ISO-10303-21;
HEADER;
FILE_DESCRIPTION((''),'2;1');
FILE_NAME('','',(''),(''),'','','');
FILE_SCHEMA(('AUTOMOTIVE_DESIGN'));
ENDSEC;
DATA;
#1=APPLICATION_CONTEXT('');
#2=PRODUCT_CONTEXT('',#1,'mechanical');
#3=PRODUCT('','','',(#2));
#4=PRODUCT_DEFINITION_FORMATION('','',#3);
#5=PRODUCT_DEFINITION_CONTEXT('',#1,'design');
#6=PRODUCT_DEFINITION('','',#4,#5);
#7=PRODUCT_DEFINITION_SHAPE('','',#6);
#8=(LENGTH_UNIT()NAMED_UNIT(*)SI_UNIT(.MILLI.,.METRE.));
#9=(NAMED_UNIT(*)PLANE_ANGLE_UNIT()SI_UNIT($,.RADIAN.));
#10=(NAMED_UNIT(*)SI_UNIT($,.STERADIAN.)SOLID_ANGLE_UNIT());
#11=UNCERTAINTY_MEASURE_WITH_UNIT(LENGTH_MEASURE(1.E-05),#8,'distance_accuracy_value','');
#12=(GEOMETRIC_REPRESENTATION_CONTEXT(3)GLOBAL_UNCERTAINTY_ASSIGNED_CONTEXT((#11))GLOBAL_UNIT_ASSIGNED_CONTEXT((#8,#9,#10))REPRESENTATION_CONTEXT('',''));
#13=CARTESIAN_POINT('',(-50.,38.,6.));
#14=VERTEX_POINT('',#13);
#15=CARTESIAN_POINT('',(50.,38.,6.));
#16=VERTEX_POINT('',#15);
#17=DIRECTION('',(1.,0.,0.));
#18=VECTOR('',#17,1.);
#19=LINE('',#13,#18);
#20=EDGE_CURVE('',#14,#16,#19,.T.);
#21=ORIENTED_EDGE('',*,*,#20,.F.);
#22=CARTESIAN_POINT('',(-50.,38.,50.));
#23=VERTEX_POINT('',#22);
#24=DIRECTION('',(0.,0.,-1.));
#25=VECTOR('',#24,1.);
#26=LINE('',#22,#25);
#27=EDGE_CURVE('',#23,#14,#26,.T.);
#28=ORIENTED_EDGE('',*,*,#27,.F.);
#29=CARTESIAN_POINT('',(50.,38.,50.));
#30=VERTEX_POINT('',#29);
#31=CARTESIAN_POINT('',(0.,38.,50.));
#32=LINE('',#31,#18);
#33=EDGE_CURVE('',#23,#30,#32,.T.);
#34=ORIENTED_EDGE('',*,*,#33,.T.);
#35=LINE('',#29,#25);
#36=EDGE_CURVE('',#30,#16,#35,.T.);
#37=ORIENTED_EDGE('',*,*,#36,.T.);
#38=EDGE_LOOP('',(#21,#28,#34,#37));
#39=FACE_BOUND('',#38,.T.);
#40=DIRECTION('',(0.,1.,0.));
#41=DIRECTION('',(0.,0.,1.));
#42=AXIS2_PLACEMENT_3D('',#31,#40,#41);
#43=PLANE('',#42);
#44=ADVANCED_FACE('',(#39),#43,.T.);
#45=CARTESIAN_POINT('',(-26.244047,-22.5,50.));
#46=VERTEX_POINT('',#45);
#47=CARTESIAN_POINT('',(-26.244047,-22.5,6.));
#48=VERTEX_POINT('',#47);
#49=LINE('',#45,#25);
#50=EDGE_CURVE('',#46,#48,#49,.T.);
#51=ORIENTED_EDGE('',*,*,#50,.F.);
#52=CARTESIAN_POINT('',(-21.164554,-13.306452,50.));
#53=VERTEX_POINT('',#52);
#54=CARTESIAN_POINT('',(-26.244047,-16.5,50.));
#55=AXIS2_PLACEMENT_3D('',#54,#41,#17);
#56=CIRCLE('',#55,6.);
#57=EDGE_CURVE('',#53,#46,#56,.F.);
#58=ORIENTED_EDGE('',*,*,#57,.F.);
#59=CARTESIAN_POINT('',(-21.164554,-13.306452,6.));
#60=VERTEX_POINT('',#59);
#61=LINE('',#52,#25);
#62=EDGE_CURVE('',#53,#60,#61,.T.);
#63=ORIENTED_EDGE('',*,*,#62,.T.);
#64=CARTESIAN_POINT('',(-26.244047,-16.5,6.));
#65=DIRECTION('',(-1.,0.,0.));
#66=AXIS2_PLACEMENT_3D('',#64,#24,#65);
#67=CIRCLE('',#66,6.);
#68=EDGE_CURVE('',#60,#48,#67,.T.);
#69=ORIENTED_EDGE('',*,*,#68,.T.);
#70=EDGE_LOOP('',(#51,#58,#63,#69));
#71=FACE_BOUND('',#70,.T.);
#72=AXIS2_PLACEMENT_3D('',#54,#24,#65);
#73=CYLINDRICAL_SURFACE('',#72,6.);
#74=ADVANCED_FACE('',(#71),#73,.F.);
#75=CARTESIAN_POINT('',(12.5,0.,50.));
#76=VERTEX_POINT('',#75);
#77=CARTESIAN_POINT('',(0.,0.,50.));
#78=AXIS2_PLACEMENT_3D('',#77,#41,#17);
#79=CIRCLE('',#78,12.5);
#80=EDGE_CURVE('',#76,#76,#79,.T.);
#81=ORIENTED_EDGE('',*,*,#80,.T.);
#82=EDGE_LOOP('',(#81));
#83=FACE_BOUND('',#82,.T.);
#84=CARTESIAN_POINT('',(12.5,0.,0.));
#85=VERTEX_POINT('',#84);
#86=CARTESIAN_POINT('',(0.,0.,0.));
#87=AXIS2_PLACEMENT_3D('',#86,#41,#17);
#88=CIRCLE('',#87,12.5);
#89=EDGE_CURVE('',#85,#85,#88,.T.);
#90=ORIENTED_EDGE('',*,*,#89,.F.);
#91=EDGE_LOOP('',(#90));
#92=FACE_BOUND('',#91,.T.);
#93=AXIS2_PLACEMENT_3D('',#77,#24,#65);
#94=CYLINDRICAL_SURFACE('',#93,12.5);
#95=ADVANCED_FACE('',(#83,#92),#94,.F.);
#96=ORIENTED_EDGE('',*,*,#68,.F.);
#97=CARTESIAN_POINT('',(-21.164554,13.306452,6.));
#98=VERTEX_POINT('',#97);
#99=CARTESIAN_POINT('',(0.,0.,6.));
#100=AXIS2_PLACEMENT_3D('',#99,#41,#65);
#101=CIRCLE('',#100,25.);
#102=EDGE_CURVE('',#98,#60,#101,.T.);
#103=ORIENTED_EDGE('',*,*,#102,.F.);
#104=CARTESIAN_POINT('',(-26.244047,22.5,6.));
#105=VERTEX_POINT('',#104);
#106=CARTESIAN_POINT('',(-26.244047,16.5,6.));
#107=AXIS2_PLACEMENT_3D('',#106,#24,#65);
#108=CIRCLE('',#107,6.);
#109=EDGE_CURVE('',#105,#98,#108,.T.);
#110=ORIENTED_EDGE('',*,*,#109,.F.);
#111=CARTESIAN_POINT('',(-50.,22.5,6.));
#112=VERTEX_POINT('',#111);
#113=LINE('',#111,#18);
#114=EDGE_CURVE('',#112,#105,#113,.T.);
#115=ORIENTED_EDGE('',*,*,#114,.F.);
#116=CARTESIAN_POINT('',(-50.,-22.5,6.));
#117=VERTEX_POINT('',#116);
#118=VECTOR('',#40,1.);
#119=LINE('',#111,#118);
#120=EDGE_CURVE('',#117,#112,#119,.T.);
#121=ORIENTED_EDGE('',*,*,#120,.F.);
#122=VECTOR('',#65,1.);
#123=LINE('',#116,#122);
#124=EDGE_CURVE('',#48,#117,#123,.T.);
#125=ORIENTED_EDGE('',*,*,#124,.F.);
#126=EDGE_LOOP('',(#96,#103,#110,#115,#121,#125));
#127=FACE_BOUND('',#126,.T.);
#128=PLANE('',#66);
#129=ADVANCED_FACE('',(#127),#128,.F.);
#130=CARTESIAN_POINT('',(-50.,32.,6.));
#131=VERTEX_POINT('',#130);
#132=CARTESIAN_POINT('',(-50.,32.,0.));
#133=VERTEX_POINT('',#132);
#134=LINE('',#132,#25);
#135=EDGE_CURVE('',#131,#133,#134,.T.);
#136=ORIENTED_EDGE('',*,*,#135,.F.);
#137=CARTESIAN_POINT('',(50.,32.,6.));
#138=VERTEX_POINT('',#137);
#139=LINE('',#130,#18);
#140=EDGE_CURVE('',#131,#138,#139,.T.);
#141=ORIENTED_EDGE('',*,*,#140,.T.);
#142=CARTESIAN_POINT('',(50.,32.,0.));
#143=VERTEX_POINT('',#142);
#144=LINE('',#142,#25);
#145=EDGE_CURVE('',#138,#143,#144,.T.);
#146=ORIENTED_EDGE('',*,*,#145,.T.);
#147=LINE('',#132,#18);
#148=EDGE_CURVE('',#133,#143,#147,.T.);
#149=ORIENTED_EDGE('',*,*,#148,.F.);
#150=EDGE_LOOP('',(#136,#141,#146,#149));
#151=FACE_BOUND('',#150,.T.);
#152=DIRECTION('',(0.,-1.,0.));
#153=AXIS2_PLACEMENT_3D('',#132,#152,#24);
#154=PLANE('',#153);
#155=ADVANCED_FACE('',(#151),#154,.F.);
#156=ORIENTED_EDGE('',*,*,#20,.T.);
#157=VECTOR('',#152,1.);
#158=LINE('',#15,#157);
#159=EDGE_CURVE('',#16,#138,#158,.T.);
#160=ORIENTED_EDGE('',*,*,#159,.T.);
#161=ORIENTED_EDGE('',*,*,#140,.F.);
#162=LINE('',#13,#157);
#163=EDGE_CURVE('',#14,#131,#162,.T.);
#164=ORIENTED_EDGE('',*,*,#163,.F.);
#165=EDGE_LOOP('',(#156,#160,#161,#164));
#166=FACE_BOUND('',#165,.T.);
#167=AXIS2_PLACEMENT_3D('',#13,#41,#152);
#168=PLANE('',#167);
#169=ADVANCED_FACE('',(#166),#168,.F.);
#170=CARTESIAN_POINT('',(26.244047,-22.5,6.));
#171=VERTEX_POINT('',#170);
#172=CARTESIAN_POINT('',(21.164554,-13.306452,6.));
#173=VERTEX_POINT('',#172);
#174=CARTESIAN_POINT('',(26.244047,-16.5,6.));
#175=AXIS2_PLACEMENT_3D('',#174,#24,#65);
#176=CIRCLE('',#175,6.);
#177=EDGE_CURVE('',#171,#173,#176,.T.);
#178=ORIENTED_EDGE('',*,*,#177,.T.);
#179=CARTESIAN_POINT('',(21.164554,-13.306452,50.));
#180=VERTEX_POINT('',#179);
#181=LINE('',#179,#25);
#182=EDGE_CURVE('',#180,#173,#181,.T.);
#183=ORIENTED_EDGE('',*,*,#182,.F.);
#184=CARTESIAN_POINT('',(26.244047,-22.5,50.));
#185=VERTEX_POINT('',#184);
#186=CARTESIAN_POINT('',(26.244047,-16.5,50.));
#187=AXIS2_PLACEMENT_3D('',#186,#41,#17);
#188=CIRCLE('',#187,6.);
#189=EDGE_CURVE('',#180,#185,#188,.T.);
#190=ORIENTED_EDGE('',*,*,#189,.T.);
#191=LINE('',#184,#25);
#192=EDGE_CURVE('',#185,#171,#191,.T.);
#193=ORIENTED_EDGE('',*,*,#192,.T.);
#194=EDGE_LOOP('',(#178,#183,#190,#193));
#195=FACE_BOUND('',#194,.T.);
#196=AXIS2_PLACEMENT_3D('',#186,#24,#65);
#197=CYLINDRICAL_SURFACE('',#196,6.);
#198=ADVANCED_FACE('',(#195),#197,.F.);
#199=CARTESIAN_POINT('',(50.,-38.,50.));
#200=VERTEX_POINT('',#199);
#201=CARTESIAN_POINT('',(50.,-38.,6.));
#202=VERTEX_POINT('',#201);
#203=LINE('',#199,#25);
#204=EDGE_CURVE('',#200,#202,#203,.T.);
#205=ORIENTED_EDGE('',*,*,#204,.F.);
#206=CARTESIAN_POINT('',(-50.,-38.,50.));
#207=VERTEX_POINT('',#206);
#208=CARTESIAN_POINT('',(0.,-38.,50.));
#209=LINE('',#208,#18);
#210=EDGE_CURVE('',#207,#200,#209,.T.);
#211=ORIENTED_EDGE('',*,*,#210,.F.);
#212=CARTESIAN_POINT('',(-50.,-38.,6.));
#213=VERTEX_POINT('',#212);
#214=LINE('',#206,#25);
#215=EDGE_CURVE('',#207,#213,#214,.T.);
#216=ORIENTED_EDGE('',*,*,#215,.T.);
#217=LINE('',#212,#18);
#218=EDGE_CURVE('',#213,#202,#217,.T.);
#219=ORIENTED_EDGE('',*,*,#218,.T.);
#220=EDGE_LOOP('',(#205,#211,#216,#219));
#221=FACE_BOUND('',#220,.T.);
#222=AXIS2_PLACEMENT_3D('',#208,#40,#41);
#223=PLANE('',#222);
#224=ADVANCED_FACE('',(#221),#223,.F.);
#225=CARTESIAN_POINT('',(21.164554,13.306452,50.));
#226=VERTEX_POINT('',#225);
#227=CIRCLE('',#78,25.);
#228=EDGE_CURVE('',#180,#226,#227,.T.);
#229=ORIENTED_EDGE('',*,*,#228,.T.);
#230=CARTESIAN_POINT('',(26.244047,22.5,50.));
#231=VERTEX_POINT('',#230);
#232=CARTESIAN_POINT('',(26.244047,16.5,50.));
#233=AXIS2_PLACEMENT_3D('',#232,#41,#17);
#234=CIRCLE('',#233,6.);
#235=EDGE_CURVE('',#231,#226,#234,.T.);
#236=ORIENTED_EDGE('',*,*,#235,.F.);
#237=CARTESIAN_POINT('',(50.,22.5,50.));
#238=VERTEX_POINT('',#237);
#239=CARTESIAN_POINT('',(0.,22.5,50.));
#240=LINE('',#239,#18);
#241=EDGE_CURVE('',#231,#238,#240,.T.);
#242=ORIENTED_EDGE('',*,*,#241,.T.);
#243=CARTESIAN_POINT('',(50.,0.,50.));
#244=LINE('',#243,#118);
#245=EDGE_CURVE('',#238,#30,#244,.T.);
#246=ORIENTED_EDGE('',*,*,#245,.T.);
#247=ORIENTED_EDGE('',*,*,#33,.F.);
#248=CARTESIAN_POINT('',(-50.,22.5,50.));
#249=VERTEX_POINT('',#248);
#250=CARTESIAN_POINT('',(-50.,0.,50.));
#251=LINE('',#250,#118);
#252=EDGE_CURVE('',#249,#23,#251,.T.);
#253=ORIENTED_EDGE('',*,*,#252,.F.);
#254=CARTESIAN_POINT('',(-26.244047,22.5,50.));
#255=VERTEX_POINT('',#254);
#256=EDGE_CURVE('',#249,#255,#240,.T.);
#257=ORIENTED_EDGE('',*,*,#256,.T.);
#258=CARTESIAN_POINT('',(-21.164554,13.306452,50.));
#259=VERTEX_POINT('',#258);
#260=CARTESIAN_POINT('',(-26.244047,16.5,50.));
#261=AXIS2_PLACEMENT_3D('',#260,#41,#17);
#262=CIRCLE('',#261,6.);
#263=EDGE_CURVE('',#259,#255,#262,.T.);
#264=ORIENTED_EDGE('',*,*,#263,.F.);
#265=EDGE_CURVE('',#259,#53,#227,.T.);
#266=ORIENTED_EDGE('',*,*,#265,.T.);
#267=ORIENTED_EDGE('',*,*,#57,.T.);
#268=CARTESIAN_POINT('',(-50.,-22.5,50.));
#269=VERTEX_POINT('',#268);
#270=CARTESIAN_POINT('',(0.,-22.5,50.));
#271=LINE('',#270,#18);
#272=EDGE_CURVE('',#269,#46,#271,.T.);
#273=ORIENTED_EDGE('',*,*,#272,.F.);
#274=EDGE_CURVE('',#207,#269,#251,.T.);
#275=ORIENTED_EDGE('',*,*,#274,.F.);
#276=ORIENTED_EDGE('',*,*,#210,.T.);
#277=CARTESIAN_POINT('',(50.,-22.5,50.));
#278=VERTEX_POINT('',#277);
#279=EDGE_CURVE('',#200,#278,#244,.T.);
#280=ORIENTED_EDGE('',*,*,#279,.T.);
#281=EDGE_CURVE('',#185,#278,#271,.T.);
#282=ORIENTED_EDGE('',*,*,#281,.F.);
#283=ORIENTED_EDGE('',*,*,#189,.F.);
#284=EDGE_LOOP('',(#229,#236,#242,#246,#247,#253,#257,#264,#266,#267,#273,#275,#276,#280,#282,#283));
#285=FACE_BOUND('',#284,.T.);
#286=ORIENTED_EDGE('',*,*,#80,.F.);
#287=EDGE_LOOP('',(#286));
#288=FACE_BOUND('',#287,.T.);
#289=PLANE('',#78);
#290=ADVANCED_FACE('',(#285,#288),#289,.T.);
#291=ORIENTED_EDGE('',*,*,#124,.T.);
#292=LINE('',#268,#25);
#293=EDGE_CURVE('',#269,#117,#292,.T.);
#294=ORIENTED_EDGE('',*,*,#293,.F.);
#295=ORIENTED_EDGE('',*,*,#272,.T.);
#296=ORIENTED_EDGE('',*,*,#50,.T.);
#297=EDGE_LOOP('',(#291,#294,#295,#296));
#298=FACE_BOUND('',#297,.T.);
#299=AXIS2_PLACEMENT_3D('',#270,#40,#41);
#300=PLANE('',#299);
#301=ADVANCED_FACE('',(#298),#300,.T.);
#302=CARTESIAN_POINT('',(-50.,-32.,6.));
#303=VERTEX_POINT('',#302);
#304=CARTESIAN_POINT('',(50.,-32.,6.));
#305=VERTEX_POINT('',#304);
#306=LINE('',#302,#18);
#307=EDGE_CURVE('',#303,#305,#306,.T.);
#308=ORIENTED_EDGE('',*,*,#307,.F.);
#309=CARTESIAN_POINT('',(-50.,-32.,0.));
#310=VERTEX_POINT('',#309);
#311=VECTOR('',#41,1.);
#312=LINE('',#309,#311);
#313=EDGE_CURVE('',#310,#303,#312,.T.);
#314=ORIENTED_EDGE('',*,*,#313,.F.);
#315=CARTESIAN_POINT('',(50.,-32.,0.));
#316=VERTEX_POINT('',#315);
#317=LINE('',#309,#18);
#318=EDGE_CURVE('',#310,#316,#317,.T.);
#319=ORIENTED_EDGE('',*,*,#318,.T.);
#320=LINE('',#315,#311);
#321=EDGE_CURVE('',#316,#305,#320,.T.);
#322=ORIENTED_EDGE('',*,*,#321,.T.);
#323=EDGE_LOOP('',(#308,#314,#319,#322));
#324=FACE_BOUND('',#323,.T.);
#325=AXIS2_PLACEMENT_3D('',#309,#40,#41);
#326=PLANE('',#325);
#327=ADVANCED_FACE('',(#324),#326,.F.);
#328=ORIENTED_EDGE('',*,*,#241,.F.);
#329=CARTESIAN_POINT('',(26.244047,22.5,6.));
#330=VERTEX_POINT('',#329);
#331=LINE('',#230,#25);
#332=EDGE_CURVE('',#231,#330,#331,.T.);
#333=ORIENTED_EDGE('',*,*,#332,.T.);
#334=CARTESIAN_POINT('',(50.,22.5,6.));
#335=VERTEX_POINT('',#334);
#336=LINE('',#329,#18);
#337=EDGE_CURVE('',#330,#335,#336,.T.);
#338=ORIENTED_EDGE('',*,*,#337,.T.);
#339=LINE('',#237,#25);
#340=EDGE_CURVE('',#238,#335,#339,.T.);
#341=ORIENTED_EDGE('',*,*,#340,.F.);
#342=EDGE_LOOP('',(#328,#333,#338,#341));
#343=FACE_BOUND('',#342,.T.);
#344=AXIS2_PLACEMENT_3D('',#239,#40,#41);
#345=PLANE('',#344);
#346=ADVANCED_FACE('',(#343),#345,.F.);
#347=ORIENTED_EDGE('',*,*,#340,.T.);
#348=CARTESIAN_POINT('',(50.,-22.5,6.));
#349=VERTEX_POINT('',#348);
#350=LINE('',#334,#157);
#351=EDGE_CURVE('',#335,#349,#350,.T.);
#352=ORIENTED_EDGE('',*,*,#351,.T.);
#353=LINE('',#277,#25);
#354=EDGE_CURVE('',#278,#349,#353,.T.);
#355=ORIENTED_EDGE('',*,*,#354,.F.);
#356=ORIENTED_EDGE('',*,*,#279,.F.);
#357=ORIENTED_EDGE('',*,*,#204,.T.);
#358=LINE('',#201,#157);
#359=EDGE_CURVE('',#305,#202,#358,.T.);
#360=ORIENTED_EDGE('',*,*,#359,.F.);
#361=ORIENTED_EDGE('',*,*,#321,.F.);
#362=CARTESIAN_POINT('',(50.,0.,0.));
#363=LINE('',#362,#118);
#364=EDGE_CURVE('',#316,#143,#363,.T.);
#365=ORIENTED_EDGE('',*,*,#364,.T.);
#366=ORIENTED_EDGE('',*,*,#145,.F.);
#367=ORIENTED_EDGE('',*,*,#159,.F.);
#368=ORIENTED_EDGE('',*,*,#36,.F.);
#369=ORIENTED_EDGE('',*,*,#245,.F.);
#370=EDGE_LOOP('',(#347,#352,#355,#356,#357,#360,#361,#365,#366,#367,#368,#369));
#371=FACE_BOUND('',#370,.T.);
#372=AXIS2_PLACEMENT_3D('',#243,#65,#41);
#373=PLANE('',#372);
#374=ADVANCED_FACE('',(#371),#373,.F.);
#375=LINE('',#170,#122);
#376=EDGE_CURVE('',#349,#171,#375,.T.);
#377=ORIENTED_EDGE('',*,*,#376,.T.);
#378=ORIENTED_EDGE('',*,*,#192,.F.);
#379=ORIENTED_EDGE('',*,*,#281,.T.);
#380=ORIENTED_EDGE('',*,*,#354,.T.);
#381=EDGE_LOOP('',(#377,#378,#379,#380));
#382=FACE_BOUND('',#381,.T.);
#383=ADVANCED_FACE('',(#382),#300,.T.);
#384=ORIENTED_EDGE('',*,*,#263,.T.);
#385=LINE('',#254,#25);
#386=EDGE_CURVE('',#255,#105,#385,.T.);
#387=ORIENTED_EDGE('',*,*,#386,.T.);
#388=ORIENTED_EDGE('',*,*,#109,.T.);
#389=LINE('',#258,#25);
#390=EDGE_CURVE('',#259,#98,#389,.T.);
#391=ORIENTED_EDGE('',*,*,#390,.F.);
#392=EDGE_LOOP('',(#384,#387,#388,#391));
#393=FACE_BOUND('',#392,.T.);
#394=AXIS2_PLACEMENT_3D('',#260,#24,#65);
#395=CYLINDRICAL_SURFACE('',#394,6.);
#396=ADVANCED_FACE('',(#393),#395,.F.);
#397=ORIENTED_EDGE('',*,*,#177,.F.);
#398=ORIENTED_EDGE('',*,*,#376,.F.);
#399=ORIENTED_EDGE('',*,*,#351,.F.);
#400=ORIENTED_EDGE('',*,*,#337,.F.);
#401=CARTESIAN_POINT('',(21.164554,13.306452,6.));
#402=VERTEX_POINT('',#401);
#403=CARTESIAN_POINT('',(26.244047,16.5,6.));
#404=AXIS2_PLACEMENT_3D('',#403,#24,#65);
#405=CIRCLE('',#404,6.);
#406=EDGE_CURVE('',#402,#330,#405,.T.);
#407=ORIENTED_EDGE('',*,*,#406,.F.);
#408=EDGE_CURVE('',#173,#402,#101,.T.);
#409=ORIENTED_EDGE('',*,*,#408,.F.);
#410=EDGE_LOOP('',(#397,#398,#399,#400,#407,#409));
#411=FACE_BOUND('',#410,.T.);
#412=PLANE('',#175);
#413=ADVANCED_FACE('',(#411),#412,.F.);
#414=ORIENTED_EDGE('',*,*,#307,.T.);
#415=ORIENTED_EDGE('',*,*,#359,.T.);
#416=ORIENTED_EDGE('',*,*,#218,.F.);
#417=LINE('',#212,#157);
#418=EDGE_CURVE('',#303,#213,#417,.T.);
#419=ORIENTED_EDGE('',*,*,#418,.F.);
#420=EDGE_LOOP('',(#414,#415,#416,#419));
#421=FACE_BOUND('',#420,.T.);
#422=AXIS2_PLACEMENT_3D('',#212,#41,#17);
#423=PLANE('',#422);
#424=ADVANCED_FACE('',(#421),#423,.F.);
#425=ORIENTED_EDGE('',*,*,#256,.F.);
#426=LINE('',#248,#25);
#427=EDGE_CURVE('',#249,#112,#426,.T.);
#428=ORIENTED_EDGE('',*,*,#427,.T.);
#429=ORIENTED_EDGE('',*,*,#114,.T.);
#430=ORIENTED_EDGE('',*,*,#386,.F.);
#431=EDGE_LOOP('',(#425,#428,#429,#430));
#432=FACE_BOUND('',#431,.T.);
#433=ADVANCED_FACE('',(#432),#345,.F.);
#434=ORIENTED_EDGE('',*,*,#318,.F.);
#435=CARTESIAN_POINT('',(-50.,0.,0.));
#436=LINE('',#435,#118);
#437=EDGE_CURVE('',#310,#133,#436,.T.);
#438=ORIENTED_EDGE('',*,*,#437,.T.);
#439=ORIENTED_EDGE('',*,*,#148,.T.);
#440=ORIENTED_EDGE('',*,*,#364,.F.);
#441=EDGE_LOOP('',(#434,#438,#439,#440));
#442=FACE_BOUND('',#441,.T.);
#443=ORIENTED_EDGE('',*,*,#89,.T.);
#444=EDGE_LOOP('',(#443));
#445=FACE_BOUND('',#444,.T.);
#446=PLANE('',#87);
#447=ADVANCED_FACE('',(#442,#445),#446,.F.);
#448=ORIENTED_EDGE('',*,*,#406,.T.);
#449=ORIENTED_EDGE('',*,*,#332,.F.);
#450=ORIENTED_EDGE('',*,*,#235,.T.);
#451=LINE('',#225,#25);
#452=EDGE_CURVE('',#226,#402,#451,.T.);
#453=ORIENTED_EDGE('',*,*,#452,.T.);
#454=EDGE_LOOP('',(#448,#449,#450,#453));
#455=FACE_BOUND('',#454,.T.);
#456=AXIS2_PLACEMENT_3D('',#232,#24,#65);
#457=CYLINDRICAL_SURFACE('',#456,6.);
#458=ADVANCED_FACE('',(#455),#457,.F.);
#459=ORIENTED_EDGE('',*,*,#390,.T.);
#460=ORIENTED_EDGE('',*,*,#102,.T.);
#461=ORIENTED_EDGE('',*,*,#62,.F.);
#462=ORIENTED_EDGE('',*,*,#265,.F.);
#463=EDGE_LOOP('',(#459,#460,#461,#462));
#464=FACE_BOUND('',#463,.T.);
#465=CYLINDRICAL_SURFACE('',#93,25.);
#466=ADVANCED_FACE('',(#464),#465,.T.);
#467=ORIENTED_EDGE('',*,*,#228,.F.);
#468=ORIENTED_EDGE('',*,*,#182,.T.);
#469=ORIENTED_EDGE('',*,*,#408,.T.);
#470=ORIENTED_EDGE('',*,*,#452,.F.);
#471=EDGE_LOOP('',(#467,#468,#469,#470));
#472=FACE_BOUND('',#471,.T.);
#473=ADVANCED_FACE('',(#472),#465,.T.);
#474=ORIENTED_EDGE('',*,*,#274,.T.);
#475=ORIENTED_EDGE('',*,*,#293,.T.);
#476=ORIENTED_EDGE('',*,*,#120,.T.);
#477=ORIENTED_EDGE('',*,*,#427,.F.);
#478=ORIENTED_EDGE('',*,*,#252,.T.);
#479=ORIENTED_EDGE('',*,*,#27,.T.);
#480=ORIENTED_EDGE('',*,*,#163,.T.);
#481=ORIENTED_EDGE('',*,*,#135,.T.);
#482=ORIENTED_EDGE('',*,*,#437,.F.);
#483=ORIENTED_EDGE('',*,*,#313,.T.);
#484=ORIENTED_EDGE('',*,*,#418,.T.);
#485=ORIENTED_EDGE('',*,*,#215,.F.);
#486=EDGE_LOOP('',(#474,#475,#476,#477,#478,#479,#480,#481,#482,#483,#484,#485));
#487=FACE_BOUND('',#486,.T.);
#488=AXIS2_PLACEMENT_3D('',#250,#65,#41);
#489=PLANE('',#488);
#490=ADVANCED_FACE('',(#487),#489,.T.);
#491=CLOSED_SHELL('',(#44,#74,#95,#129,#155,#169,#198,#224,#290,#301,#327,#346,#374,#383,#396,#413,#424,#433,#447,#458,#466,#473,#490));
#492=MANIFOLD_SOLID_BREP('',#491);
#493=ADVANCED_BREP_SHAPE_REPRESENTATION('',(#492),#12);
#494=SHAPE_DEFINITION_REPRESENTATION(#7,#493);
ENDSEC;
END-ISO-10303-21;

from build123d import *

# Parameters (mm, degrees)
SKETCH1_R           = 12.5
BOSS_EXTRUDE1_DEPTH = 50
BOSS_EXTRUDE2_DEPTH = 6
SKETCH3_W           = 6
SKETCH3_H           = 6
CUT_EXTRUDE1_DEPTH  = 119.084715353


with BuildPart() as part:
    # Sketch1 → Boss-Extrude1 (new body)
    with BuildSketch(Plane.XY):
        with BuildLine():
            ThreePointArc((21.164553987, 13.306451613), (20.992319118, 19.401612455), (26.244046944, 22.5))
            Line((26.244046944, 22.5), (50, 22.5))
            Line((50, 22.5), (50, 38))
            Line((50, 38), (-50, 38))
            Line((-50, 38), (-50, 22.5))
            Line((-50, 22.5), (-26.244046944, 22.5))
            ThreePointArc((-26.244046944, 22.5), (-20.992319118, 19.401612455), (-21.164553987, 13.306451613))
            ThreePointArc((-21.164553987, 13.306451613), (-25, 0), (-21.164553987, -13.306451613))
            ThreePointArc((-21.164553987, -13.306451613), (-20.992319118, -19.401612455), (-26.244046944, -22.5))
            Line((-26.244046944, -22.5), (-50, -22.5))
            Line((-50, -22.5), (-50, -38))
            Line((-50, -38), (50, -38))
            Line((50, -38), (50, -22.5))
            Line((50, -22.5), (26.244046944, -22.5))
            ThreePointArc((26.244046944, -22.5), (20.992319118, -19.401612455), (21.164553987, -13.306451613))
            ThreePointArc((21.164553987, -13.306451613), (25, 0), (21.164553987, 13.306451613))
        make_face()
        Circle(SKETCH1_R, mode=Mode.SUBTRACT)
    extrude(amount=BOSS_EXTRUDE1_DEPTH)

    # Sketch2 → Boss-Extrude2 (add)
    with BuildSketch(Plane(origin=(0, 0, 0), x_dir=(-1, 0, 0), z_dir=(0, 0, -1))):
        with BuildLine():
            Line((50, -22.5), (26.244046944, -22.5))
            ThreePointArc((26.244046944, -22.5), (20.992319118, -19.401612455), (21.164553987, -13.306451613))
            ThreePointArc((21.164553987, -13.306451613), (25, 0), (21.164553987, 13.306451613))
            ThreePointArc((21.164553987, 13.306451613), (20.992319118, 19.401612455), (26.244046944, 22.5))
            Line((26.244046944, 22.5), (50, 22.5))
            Line((50, 22.5), (50, -22.5))
        make_face()
        with BuildLine():
            Line((-26.244046944, -22.5), (-50, -22.5))
            Line((-50, -22.5), (-50, 22.5))
            Line((-50, 22.5), (-26.244046944, 22.5))
            ThreePointArc((-26.244046944, 22.5), (-20.992319118, 19.401612455), (-21.164553987, 13.306451613))
            ThreePointArc((-21.164553987, 13.306451613), (-25, 0), (-21.164553987, -13.306451613))
            ThreePointArc((-21.164553987, -13.306451613), (-20.992319118, -19.401612455), (-26.244046944, -22.5))
        make_face()
    extrude(amount=-BOSS_EXTRUDE2_DEPTH)

    # Sketch3 → Cut-Extrude1 (cut, through all)
    with BuildSketch(Plane(origin=(50, 0, 0), x_dir=(0, 0, -1), z_dir=(1, 0, 0))):
        with Locations((-3, 35)):
            Rectangle(SKETCH3_W, SKETCH3_H)
        with Locations((-3, -35)):
            Rectangle(SKETCH3_W, SKETCH3_H)
    extrude(amount=-CUT_EXTRUDE1_DEPTH, mode=Mode.SUBTRACT)


solid = part.part
